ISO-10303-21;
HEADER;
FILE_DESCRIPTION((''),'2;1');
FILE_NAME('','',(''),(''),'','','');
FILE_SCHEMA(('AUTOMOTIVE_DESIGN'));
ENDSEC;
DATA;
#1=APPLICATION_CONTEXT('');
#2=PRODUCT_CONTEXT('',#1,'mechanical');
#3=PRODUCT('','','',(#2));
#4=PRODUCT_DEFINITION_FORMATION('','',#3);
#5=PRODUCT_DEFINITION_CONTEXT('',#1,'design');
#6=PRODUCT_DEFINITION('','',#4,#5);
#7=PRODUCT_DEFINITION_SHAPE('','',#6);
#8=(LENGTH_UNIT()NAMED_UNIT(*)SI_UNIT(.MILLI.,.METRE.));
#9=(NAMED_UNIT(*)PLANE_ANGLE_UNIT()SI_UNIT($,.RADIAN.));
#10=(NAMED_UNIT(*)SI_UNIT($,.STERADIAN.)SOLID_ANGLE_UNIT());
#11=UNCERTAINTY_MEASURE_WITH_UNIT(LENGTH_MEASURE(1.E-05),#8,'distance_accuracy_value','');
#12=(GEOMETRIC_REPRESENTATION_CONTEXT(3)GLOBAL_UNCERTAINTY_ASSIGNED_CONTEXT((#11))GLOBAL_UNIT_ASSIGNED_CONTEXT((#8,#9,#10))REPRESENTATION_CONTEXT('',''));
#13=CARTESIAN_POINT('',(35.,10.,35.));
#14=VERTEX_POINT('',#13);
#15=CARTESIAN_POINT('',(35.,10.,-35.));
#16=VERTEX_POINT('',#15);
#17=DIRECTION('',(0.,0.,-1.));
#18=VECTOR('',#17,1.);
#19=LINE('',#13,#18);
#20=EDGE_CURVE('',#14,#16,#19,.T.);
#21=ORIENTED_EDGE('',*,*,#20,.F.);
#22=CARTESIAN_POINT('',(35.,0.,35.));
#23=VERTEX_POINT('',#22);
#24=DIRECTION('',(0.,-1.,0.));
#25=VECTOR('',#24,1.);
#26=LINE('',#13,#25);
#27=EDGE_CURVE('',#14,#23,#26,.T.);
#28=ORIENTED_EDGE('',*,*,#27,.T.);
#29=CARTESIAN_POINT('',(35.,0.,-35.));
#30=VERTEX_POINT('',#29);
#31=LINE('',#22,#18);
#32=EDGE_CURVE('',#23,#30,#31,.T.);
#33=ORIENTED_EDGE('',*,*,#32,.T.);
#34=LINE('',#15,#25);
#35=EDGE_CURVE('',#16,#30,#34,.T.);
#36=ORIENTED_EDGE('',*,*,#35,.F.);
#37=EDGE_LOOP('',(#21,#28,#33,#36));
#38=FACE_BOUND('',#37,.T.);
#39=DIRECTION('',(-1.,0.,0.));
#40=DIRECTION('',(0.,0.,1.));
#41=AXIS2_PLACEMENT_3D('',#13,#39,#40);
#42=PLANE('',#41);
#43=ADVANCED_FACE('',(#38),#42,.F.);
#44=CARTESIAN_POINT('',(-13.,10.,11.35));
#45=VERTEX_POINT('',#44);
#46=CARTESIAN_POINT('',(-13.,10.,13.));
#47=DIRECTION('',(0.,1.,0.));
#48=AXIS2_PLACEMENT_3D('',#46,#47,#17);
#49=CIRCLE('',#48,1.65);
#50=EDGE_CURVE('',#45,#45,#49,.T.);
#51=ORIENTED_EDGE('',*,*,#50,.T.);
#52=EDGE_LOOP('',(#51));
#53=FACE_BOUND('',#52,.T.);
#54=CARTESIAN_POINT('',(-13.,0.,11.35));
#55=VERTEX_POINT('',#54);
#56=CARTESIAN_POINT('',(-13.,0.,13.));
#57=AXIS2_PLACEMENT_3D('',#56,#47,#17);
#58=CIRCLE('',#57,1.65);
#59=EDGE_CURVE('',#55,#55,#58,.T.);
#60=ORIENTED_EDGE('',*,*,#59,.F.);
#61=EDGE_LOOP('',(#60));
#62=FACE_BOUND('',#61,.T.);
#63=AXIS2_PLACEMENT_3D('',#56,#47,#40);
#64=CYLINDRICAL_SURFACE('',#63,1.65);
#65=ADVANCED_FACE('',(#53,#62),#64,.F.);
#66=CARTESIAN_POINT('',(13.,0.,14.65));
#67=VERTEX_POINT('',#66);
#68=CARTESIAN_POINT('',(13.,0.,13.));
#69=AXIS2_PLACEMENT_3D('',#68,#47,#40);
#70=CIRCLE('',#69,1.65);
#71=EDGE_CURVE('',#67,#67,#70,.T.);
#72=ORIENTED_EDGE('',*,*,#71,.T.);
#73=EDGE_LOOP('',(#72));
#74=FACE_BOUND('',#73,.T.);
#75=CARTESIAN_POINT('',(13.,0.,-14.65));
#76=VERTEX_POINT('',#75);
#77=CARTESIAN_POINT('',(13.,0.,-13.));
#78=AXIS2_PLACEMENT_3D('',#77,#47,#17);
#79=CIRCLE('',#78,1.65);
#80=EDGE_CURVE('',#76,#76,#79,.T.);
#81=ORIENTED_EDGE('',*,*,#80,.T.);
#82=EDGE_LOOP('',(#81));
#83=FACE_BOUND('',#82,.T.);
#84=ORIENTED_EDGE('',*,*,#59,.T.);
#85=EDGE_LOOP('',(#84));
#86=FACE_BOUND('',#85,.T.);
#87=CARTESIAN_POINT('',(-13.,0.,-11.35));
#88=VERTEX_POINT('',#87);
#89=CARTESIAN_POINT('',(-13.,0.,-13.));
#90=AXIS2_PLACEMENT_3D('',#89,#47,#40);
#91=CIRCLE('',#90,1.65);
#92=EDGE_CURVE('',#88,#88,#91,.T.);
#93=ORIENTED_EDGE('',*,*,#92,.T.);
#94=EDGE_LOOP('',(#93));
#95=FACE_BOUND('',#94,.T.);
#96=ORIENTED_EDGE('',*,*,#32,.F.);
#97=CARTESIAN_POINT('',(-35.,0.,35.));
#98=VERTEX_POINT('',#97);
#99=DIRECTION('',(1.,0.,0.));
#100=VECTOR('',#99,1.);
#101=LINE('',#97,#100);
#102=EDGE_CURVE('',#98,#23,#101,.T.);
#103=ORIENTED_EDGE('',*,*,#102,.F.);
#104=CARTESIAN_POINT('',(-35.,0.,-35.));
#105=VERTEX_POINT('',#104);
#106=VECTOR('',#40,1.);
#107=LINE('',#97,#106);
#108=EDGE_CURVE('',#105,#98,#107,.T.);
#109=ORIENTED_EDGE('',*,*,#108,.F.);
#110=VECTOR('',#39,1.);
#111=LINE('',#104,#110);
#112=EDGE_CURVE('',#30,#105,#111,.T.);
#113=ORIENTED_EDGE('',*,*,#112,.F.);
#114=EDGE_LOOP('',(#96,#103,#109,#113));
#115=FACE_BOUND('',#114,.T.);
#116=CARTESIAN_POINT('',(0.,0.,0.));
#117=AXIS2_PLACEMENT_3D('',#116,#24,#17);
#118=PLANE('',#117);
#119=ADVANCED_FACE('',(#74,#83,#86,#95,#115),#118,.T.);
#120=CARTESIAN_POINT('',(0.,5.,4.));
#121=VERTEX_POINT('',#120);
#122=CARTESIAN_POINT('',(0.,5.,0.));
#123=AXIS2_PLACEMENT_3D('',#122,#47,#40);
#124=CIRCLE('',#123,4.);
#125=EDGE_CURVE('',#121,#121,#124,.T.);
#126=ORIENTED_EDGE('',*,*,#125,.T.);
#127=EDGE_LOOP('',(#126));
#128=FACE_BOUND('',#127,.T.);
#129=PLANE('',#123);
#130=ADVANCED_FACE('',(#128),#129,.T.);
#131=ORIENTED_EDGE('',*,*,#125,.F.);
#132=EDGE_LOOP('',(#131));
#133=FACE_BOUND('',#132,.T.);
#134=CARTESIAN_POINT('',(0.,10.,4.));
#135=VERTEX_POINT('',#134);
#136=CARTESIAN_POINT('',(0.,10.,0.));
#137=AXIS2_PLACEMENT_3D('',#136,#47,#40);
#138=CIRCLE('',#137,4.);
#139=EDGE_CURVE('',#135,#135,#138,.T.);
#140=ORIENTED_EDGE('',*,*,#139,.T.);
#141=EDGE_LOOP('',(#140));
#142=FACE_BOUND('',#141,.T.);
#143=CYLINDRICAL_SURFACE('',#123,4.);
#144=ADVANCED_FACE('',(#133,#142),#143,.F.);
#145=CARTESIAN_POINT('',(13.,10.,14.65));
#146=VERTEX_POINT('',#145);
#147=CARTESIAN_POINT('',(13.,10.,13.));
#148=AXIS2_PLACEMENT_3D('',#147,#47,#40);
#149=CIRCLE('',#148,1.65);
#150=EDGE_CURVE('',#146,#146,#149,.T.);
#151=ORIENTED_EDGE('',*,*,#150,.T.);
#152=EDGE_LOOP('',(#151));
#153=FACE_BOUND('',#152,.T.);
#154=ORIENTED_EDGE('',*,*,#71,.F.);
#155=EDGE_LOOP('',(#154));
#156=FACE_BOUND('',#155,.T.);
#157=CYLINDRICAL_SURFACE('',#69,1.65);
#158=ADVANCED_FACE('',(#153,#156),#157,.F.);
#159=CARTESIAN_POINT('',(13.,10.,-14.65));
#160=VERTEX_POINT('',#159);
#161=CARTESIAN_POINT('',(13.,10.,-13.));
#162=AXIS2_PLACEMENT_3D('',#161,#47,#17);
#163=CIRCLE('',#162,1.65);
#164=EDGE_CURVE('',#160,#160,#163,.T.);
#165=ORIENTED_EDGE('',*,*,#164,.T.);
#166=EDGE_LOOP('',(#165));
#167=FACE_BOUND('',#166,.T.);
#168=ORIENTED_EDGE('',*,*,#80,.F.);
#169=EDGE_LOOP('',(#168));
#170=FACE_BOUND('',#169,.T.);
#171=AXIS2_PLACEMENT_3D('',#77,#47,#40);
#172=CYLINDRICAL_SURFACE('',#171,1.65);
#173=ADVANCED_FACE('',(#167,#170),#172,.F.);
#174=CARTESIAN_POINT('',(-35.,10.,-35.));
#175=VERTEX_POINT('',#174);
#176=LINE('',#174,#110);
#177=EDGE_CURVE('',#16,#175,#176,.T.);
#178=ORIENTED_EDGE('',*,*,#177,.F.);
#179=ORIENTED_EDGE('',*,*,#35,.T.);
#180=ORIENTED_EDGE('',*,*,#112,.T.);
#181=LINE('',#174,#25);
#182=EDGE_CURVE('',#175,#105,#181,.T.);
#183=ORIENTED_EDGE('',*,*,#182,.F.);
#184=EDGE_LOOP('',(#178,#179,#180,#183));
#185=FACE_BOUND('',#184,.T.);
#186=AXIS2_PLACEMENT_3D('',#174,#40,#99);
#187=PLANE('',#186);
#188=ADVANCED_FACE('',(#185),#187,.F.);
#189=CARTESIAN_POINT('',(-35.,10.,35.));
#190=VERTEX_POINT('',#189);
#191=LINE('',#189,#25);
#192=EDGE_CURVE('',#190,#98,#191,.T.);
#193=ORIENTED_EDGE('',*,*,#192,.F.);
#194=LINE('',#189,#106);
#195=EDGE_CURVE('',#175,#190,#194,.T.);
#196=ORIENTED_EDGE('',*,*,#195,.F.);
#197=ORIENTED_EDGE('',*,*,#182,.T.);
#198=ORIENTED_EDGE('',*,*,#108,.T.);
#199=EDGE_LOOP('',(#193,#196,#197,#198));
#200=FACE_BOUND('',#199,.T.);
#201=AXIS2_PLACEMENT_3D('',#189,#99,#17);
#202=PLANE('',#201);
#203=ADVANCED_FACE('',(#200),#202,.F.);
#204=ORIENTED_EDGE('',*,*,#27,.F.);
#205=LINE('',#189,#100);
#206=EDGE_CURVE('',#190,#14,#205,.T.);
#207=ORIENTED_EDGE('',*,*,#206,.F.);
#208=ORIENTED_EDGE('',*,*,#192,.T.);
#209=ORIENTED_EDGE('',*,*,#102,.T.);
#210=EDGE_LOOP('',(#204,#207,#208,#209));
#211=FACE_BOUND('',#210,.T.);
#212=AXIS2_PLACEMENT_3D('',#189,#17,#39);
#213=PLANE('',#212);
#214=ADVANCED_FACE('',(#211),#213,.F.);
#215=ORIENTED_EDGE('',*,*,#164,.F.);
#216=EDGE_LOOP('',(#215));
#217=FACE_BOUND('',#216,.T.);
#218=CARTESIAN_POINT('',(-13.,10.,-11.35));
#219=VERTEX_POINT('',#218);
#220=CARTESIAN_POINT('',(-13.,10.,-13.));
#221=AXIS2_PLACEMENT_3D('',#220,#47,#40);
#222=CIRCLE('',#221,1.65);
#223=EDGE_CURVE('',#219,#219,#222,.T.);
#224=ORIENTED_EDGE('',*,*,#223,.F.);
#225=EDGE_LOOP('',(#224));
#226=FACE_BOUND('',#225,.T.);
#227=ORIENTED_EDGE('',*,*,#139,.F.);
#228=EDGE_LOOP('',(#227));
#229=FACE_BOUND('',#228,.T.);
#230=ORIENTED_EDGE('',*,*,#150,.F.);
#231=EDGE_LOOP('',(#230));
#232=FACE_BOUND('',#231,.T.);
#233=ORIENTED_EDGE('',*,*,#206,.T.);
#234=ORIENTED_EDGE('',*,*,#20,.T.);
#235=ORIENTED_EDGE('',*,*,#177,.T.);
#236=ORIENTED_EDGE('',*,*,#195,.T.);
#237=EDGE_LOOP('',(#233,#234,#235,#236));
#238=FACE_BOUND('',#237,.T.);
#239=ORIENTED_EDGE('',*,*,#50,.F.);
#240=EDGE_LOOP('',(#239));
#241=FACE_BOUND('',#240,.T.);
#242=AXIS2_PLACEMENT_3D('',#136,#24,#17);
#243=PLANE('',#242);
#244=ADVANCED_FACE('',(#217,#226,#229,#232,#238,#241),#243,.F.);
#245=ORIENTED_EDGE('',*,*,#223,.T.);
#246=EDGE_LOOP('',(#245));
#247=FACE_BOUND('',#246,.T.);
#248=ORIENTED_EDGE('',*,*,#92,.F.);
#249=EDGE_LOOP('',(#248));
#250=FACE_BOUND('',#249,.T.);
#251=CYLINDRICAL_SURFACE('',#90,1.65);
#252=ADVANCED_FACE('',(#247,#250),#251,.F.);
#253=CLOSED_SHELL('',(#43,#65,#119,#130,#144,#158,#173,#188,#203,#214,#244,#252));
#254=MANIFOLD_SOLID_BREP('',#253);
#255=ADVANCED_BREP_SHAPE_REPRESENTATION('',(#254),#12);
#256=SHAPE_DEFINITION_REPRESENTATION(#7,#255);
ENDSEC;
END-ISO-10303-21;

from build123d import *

# Parameters (mm, degrees)
SKETCH1_W           = 70
SKETCH1_H           = 70
BOSS_EXTRUDE1_DEPTH = 10
SKETCH2_R           = 1.65
CUT_EXTRUDE1_DEPTH  = 10
SKETCH3_R           = 4
CUT_EXTRUDE2_DEPTH  = 5


with BuildPart() as part:
    # Sketch1 → Boss-Extrude1 (new body)
    with BuildSketch(Plane(origin=(0, 0, 0), x_dir=(1, 0, 0), z_dir=(0, 1, 0))):
        Rectangle(SKETCH1_W, SKETCH1_H)
    extrude(amount=BOSS_EXTRUDE1_DEPTH)

    # Sketch2 → Cut-Extrude1 (cut)
    with BuildSketch(Plane(origin=(0, 10, 0), x_dir=(1, 0, 0), z_dir=(0, 1, 0))):
        with Locations(Location((-13, 13, 0), (0, 0, 270))):
            Circle(SKETCH2_R)
        with Locations(Location((13, 13, 0), (0, 0, 90))):
            Circle(SKETCH2_R)
        with Locations(Location((13, -13, 0), (0, 0, 270))):
            Circle(SKETCH2_R)
        with Locations(Location((-13, -13, 0), (0, 0, 90))):
            Circle(SKETCH2_R)
    extrude(amount=-CUT_EXTRUDE1_DEPTH, mode=Mode.SUBTRACT)

    # Sketch3 → Cut-Extrude2 (cut)
    with BuildSketch(Plane(origin=(0, 10, 0), x_dir=(1, 0, 0), z_dir=(0, 1, 0))):
        with Locations(Location((0, 0, 0), (0, 0, 270))):
            Circle(SKETCH3_R)
    extrude(amount=-CUT_EXTRUDE2_DEPTH, mode=Mode.SUBTRACT)


solid = part.part
